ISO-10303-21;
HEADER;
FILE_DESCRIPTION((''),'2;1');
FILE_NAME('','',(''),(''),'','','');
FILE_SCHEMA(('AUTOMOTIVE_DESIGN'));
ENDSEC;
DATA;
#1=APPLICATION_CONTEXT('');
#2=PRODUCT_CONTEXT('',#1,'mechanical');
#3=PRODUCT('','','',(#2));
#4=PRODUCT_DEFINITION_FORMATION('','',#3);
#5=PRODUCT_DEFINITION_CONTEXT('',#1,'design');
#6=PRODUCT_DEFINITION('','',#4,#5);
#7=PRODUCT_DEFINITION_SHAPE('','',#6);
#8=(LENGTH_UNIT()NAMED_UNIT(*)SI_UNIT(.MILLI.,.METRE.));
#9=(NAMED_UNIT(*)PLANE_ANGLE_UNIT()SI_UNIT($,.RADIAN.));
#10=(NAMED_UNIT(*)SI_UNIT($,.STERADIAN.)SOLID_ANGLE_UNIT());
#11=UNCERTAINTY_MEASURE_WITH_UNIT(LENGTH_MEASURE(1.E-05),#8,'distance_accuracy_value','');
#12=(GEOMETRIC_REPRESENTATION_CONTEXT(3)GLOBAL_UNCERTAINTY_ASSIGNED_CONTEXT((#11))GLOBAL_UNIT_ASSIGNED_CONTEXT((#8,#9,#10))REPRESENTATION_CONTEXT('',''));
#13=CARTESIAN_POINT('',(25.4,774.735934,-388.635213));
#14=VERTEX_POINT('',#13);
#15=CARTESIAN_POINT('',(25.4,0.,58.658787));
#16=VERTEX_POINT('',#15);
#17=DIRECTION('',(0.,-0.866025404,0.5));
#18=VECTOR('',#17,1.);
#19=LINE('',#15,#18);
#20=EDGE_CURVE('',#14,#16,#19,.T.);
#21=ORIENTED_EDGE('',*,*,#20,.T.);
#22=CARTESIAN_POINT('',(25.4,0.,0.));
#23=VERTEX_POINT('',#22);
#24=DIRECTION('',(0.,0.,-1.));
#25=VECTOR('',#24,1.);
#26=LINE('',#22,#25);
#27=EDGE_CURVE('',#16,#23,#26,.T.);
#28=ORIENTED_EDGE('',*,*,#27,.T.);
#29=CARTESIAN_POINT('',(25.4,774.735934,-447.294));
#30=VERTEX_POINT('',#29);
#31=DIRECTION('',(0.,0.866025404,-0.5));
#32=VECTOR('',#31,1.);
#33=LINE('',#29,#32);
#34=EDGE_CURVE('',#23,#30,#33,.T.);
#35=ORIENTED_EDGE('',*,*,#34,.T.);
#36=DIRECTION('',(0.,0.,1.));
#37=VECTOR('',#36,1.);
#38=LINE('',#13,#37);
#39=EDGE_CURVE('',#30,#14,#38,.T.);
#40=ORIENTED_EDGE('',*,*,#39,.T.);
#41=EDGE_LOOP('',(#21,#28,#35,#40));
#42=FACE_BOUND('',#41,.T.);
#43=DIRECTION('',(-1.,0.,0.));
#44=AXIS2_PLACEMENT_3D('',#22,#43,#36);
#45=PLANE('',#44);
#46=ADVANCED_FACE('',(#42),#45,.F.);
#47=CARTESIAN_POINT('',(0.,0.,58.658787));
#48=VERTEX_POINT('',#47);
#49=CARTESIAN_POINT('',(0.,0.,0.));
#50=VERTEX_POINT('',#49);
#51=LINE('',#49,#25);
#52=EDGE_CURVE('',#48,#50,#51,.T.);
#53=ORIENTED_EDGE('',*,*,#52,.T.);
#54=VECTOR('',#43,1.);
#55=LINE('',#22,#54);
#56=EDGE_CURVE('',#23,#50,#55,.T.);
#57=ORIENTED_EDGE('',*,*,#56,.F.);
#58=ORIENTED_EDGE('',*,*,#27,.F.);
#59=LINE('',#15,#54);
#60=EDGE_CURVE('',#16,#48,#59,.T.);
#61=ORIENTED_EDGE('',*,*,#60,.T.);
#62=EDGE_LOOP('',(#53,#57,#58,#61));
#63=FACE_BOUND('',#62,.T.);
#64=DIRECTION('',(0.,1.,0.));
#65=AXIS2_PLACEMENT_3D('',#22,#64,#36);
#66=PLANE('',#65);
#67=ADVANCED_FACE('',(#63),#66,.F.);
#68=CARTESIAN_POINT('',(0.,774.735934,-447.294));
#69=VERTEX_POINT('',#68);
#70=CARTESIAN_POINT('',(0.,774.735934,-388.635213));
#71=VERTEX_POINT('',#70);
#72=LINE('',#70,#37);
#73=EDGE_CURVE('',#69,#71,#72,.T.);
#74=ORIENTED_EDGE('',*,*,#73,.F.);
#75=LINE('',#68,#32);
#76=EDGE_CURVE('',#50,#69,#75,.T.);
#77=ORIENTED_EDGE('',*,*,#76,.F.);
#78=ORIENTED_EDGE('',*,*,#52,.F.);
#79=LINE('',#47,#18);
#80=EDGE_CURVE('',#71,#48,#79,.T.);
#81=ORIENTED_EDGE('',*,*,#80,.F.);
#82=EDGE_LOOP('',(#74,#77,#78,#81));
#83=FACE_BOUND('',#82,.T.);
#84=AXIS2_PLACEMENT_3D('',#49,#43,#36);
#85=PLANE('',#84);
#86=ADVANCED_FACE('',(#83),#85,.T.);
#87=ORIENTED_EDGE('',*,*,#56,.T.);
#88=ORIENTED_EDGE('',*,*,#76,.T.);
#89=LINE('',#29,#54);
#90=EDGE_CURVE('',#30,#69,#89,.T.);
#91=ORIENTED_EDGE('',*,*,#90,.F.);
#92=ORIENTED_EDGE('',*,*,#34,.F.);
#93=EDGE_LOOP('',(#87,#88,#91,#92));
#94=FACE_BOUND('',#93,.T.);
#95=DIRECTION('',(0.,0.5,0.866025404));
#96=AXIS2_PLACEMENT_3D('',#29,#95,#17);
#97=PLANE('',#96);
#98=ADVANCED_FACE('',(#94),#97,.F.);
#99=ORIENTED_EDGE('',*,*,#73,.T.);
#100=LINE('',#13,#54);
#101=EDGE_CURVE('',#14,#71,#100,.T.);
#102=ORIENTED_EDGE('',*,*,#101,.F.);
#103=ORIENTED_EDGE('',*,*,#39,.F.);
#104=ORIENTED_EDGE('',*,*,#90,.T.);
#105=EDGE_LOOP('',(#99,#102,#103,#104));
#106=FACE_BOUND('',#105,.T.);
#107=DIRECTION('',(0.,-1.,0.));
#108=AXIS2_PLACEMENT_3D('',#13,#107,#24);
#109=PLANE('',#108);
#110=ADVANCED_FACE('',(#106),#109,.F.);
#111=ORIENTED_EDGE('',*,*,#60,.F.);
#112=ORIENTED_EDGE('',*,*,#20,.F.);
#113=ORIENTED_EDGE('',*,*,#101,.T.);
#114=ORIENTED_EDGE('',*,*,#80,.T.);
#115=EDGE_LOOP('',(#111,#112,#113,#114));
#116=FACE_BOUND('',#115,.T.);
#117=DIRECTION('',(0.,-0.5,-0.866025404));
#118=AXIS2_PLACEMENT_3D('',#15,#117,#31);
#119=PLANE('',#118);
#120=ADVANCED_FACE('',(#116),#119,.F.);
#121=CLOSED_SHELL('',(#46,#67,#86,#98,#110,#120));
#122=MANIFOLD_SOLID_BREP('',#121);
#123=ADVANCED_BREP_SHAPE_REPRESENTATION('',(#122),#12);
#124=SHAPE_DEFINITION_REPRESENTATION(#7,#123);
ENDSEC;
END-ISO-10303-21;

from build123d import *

# Parameters (mm, degrees)
BOSS_EXTRUDE1_DEPTH = 25.4


with BuildPart() as part:
    # Sketch1 → Boss-Extrude1 (new body)
    with BuildSketch(Plane(origin=(0, 0, 0), x_dir=(0, 0, -1), z_dir=(1, 0, 0))):
        Polygon((0, 0), (-58.65878735, 0), (388.63521265, 774.735933921), (447.294, 774.735933921), align=None)
    extrude(amount=BOSS_EXTRUDE1_DEPTH)


solid = part.part
